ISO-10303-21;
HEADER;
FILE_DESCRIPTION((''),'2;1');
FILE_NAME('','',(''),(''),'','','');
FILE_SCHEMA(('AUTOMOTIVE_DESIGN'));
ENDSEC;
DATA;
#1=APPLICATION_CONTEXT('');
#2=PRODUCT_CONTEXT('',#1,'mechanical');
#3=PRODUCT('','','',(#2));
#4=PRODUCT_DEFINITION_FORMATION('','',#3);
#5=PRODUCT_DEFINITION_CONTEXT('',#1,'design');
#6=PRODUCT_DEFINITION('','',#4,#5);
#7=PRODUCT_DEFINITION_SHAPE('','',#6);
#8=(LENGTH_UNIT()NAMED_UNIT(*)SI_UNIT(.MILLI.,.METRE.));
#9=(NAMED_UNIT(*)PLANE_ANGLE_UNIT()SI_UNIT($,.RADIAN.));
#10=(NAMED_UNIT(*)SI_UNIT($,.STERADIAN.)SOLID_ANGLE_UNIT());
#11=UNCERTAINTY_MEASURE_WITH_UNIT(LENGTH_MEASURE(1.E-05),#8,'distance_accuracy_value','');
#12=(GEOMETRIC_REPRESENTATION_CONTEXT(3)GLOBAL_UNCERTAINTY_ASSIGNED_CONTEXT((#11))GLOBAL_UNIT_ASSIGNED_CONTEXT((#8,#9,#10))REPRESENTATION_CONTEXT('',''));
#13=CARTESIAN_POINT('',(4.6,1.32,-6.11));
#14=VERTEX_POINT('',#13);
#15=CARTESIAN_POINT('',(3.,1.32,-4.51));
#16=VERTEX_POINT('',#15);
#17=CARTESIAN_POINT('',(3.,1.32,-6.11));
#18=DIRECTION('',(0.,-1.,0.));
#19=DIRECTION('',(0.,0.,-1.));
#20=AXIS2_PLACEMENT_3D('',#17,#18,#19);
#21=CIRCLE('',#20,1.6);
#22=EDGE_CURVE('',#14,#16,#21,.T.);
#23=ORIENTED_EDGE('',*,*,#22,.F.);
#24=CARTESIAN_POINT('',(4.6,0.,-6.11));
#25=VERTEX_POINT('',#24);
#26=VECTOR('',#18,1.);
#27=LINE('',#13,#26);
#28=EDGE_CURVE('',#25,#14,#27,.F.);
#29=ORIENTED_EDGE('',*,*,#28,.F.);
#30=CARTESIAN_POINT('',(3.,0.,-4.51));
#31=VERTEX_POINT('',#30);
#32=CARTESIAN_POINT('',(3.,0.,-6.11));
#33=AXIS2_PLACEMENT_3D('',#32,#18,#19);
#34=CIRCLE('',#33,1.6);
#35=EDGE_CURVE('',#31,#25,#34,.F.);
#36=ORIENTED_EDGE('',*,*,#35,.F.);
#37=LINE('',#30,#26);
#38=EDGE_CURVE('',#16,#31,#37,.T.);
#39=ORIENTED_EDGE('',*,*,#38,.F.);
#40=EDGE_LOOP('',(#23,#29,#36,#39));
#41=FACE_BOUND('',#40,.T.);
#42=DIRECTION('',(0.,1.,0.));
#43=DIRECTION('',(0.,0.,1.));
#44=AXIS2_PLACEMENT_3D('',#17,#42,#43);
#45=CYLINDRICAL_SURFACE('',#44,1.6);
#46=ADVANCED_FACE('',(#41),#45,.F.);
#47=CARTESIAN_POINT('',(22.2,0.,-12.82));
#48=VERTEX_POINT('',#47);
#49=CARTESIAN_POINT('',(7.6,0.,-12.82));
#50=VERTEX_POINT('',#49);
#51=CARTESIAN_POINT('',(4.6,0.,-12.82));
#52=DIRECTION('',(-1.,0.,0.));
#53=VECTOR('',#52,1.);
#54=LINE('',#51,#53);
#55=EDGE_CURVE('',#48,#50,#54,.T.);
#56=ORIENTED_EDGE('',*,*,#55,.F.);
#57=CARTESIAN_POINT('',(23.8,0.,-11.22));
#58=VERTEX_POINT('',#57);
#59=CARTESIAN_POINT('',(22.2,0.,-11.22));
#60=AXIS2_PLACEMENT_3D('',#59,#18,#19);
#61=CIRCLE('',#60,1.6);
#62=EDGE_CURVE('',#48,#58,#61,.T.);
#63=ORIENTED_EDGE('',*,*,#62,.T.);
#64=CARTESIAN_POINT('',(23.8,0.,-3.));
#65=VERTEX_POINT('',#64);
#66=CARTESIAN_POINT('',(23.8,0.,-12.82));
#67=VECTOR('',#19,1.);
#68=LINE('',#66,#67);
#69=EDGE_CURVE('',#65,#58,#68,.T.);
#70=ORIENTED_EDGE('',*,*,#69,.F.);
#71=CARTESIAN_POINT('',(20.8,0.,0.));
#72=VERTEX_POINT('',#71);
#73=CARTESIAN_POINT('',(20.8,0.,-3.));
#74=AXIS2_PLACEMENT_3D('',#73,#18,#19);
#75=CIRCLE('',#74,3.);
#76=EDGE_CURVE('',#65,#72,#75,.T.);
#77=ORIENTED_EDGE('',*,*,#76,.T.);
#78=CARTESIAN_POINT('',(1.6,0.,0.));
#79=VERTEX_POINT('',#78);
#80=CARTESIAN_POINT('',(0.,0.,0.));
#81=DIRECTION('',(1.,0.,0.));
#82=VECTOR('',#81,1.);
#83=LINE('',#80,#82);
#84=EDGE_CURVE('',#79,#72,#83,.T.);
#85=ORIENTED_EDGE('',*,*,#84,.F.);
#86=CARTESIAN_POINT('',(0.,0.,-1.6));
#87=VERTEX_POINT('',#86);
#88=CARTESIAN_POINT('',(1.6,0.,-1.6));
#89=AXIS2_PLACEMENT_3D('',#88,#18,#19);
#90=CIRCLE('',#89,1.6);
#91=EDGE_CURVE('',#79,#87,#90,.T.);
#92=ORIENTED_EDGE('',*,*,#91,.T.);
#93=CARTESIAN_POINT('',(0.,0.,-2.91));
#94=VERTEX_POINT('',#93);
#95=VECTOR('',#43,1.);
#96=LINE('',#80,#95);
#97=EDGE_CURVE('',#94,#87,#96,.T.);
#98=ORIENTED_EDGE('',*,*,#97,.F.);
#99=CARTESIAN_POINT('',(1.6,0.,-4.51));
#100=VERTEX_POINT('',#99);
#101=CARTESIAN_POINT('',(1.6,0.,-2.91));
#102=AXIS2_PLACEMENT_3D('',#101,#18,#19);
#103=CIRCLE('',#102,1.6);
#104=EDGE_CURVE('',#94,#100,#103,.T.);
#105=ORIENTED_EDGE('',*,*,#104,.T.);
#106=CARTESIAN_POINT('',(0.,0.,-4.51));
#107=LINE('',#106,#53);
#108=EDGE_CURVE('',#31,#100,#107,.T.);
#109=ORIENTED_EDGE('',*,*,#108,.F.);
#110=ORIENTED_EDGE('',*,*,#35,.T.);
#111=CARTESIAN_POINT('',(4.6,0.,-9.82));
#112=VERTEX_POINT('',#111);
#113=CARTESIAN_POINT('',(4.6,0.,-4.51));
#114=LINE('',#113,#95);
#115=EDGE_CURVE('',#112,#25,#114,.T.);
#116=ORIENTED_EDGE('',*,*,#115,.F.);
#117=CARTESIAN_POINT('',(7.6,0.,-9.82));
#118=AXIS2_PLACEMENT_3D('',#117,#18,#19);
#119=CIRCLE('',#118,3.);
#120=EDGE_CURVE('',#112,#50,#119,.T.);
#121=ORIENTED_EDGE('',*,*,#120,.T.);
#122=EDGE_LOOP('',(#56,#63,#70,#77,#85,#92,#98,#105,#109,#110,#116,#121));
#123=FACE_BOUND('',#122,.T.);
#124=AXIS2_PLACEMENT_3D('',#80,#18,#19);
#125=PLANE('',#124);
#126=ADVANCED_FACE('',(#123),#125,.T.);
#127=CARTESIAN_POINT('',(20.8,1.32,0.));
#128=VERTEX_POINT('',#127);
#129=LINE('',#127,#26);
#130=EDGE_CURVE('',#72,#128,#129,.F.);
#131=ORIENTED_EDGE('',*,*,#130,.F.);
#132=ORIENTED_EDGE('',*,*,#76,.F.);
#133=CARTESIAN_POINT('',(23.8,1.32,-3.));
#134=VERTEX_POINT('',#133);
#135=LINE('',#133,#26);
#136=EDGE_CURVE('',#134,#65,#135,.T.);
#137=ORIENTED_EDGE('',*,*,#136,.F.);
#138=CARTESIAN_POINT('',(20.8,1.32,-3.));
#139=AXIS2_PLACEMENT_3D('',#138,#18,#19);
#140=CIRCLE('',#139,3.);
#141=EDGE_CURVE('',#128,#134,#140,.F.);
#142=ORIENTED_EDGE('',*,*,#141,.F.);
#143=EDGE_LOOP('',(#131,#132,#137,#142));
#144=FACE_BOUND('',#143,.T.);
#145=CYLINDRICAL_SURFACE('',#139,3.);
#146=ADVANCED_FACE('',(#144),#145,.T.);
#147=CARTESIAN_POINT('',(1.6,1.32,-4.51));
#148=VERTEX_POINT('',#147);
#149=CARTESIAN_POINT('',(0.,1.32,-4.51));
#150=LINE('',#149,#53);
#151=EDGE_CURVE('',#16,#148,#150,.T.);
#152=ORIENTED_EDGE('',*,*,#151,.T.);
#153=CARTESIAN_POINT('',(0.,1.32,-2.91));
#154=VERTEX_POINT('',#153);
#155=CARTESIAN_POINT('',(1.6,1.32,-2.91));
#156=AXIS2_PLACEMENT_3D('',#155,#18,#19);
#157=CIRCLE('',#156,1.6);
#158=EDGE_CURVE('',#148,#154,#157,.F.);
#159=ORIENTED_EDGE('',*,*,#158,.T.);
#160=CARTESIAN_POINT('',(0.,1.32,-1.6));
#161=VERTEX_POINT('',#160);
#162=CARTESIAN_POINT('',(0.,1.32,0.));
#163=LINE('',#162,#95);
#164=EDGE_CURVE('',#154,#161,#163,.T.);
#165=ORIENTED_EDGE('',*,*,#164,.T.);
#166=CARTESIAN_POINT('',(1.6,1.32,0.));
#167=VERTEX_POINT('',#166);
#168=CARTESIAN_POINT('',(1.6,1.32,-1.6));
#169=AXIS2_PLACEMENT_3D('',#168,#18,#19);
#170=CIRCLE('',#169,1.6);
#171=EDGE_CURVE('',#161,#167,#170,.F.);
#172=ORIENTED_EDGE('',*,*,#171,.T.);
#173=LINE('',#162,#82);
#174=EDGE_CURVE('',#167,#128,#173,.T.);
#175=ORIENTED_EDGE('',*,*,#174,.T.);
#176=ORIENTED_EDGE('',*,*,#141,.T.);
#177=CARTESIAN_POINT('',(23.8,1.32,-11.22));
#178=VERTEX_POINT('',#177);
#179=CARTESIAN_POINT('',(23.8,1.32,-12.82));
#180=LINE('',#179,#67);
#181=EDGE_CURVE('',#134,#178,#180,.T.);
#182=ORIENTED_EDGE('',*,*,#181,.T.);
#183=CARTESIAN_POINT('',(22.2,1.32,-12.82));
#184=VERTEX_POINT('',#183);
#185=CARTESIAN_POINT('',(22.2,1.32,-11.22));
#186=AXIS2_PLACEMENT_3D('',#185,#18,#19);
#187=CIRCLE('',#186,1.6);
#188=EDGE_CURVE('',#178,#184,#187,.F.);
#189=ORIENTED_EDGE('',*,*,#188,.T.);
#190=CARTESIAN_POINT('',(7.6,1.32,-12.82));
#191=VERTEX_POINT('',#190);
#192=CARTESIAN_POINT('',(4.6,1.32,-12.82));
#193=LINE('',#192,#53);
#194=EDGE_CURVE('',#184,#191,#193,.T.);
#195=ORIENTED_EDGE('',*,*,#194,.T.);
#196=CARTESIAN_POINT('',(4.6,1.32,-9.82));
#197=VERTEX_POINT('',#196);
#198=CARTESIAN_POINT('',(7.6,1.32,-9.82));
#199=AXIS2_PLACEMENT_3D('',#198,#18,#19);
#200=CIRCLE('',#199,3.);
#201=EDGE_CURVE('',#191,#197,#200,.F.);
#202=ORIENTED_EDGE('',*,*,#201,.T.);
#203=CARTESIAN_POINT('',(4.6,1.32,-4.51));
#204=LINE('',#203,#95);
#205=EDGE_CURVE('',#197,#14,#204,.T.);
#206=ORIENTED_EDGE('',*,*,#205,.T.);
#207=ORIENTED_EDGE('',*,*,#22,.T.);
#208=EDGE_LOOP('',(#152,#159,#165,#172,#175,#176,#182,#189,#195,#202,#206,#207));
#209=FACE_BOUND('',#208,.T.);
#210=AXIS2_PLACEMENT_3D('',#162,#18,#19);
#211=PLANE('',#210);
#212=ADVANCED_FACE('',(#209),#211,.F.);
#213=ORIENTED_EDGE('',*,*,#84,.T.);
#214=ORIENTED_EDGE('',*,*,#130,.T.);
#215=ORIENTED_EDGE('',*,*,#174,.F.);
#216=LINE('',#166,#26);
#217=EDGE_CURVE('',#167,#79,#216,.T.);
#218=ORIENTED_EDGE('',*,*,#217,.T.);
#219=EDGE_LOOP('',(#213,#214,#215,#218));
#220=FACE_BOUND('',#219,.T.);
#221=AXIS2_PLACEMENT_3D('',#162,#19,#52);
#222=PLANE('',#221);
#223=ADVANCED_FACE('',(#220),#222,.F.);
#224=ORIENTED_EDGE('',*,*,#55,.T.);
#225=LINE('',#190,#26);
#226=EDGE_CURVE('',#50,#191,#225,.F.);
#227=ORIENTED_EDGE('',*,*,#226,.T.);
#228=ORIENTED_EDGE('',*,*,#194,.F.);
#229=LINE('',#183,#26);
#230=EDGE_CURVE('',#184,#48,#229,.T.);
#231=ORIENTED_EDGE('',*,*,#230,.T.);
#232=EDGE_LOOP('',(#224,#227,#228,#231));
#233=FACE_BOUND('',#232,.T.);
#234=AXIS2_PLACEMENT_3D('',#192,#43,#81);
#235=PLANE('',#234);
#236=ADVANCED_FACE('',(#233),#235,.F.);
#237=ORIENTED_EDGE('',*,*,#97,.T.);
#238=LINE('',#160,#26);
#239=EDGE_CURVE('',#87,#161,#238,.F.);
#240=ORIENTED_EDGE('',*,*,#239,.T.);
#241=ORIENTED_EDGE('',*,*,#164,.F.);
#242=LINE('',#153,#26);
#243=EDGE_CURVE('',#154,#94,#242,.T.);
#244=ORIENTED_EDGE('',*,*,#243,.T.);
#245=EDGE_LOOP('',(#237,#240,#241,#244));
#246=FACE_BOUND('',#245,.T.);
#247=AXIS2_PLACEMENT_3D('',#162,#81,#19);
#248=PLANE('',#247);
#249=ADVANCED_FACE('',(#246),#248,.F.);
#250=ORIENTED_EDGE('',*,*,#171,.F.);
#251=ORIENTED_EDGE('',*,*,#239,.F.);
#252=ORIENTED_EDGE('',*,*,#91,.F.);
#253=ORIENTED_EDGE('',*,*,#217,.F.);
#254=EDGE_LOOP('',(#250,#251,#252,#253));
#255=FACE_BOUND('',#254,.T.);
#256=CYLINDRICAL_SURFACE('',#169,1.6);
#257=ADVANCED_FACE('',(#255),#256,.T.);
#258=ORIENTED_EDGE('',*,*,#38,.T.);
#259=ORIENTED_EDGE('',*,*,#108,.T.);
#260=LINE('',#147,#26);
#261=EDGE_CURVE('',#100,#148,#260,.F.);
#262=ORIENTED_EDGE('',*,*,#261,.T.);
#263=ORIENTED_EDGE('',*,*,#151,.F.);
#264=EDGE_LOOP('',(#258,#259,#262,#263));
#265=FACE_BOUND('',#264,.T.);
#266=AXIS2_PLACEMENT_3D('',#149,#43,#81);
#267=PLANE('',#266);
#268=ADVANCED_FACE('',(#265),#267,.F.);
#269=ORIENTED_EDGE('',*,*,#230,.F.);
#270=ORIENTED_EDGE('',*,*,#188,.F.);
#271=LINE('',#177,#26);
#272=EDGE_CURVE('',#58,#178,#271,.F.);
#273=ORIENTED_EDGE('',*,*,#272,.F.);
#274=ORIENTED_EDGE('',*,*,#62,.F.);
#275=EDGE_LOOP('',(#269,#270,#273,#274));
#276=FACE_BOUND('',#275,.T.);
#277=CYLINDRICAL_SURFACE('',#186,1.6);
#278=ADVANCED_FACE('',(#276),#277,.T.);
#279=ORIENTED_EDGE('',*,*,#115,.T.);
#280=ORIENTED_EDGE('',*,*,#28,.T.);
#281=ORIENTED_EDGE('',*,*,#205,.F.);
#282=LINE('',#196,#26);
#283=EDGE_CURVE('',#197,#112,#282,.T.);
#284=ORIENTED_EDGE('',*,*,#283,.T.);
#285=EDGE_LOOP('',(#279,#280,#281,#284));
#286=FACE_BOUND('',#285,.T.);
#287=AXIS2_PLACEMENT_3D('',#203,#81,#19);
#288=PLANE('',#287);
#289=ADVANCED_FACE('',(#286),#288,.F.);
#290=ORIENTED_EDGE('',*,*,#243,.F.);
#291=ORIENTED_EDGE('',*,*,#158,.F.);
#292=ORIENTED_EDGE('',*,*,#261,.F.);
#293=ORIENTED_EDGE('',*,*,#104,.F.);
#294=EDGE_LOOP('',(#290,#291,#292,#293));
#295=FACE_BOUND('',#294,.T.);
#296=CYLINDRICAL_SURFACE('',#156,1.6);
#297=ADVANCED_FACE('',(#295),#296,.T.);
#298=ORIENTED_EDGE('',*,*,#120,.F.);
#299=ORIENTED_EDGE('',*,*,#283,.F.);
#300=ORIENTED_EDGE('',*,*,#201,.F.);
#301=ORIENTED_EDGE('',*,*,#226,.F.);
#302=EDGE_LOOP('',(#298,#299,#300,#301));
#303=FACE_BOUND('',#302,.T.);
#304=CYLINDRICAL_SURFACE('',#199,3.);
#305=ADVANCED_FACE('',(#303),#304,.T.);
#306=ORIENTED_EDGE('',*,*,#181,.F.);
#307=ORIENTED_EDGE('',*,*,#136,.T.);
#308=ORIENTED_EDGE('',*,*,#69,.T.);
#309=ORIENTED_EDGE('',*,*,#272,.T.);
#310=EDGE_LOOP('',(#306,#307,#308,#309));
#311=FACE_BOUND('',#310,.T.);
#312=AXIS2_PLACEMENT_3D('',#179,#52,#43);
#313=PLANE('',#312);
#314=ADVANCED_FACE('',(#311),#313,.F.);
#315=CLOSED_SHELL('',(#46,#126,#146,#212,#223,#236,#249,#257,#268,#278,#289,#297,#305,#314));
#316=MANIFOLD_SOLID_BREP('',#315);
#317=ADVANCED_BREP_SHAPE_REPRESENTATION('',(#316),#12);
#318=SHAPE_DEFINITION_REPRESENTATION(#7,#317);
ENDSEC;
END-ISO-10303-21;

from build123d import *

# Parameters (mm, degrees)
BOSS_EXTRUDE1_DEPTH = 1.32
FILLET1_R           = 3
FILLET2_R           = 1.6


with BuildPart() as part:
    # Sketch1 → Boss-Extrude1 (new body)
    with BuildSketch(Plane(origin=(0, 0, 0), x_dir=(1, 0, 0), z_dir=(0, 1, 0))):
        Polygon((0, 4.51), (0, 0), (23.8, 0), (23.8, 12.82), (4.6, 12.82), (4.6, 4.51), align=None)
    extrude(amount=BOSS_EXTRUDE1_DEPTH)

    # Fillet1
    fillet1_edges = [part.edges().sort_by_distance(p)[0] for p in [
        (4.6, 0.66, -12.82),
        (23.8, 0.66, 0),
    ]]
    fillet(fillet1_edges, radius=FILLET1_R)

    # Fillet2
    fillet2_edges = [part.edges().sort_by_distance(p)[0] for p in [
        (0, 0.66, -4.51),
        (4.6, 0.66, -4.51),
        (23.8, 0.66, -12.82),
        (0, 0.66, 0),
    ]]
    fillet(fillet2_edges, radius=FILLET2_R)


solid = part.part
